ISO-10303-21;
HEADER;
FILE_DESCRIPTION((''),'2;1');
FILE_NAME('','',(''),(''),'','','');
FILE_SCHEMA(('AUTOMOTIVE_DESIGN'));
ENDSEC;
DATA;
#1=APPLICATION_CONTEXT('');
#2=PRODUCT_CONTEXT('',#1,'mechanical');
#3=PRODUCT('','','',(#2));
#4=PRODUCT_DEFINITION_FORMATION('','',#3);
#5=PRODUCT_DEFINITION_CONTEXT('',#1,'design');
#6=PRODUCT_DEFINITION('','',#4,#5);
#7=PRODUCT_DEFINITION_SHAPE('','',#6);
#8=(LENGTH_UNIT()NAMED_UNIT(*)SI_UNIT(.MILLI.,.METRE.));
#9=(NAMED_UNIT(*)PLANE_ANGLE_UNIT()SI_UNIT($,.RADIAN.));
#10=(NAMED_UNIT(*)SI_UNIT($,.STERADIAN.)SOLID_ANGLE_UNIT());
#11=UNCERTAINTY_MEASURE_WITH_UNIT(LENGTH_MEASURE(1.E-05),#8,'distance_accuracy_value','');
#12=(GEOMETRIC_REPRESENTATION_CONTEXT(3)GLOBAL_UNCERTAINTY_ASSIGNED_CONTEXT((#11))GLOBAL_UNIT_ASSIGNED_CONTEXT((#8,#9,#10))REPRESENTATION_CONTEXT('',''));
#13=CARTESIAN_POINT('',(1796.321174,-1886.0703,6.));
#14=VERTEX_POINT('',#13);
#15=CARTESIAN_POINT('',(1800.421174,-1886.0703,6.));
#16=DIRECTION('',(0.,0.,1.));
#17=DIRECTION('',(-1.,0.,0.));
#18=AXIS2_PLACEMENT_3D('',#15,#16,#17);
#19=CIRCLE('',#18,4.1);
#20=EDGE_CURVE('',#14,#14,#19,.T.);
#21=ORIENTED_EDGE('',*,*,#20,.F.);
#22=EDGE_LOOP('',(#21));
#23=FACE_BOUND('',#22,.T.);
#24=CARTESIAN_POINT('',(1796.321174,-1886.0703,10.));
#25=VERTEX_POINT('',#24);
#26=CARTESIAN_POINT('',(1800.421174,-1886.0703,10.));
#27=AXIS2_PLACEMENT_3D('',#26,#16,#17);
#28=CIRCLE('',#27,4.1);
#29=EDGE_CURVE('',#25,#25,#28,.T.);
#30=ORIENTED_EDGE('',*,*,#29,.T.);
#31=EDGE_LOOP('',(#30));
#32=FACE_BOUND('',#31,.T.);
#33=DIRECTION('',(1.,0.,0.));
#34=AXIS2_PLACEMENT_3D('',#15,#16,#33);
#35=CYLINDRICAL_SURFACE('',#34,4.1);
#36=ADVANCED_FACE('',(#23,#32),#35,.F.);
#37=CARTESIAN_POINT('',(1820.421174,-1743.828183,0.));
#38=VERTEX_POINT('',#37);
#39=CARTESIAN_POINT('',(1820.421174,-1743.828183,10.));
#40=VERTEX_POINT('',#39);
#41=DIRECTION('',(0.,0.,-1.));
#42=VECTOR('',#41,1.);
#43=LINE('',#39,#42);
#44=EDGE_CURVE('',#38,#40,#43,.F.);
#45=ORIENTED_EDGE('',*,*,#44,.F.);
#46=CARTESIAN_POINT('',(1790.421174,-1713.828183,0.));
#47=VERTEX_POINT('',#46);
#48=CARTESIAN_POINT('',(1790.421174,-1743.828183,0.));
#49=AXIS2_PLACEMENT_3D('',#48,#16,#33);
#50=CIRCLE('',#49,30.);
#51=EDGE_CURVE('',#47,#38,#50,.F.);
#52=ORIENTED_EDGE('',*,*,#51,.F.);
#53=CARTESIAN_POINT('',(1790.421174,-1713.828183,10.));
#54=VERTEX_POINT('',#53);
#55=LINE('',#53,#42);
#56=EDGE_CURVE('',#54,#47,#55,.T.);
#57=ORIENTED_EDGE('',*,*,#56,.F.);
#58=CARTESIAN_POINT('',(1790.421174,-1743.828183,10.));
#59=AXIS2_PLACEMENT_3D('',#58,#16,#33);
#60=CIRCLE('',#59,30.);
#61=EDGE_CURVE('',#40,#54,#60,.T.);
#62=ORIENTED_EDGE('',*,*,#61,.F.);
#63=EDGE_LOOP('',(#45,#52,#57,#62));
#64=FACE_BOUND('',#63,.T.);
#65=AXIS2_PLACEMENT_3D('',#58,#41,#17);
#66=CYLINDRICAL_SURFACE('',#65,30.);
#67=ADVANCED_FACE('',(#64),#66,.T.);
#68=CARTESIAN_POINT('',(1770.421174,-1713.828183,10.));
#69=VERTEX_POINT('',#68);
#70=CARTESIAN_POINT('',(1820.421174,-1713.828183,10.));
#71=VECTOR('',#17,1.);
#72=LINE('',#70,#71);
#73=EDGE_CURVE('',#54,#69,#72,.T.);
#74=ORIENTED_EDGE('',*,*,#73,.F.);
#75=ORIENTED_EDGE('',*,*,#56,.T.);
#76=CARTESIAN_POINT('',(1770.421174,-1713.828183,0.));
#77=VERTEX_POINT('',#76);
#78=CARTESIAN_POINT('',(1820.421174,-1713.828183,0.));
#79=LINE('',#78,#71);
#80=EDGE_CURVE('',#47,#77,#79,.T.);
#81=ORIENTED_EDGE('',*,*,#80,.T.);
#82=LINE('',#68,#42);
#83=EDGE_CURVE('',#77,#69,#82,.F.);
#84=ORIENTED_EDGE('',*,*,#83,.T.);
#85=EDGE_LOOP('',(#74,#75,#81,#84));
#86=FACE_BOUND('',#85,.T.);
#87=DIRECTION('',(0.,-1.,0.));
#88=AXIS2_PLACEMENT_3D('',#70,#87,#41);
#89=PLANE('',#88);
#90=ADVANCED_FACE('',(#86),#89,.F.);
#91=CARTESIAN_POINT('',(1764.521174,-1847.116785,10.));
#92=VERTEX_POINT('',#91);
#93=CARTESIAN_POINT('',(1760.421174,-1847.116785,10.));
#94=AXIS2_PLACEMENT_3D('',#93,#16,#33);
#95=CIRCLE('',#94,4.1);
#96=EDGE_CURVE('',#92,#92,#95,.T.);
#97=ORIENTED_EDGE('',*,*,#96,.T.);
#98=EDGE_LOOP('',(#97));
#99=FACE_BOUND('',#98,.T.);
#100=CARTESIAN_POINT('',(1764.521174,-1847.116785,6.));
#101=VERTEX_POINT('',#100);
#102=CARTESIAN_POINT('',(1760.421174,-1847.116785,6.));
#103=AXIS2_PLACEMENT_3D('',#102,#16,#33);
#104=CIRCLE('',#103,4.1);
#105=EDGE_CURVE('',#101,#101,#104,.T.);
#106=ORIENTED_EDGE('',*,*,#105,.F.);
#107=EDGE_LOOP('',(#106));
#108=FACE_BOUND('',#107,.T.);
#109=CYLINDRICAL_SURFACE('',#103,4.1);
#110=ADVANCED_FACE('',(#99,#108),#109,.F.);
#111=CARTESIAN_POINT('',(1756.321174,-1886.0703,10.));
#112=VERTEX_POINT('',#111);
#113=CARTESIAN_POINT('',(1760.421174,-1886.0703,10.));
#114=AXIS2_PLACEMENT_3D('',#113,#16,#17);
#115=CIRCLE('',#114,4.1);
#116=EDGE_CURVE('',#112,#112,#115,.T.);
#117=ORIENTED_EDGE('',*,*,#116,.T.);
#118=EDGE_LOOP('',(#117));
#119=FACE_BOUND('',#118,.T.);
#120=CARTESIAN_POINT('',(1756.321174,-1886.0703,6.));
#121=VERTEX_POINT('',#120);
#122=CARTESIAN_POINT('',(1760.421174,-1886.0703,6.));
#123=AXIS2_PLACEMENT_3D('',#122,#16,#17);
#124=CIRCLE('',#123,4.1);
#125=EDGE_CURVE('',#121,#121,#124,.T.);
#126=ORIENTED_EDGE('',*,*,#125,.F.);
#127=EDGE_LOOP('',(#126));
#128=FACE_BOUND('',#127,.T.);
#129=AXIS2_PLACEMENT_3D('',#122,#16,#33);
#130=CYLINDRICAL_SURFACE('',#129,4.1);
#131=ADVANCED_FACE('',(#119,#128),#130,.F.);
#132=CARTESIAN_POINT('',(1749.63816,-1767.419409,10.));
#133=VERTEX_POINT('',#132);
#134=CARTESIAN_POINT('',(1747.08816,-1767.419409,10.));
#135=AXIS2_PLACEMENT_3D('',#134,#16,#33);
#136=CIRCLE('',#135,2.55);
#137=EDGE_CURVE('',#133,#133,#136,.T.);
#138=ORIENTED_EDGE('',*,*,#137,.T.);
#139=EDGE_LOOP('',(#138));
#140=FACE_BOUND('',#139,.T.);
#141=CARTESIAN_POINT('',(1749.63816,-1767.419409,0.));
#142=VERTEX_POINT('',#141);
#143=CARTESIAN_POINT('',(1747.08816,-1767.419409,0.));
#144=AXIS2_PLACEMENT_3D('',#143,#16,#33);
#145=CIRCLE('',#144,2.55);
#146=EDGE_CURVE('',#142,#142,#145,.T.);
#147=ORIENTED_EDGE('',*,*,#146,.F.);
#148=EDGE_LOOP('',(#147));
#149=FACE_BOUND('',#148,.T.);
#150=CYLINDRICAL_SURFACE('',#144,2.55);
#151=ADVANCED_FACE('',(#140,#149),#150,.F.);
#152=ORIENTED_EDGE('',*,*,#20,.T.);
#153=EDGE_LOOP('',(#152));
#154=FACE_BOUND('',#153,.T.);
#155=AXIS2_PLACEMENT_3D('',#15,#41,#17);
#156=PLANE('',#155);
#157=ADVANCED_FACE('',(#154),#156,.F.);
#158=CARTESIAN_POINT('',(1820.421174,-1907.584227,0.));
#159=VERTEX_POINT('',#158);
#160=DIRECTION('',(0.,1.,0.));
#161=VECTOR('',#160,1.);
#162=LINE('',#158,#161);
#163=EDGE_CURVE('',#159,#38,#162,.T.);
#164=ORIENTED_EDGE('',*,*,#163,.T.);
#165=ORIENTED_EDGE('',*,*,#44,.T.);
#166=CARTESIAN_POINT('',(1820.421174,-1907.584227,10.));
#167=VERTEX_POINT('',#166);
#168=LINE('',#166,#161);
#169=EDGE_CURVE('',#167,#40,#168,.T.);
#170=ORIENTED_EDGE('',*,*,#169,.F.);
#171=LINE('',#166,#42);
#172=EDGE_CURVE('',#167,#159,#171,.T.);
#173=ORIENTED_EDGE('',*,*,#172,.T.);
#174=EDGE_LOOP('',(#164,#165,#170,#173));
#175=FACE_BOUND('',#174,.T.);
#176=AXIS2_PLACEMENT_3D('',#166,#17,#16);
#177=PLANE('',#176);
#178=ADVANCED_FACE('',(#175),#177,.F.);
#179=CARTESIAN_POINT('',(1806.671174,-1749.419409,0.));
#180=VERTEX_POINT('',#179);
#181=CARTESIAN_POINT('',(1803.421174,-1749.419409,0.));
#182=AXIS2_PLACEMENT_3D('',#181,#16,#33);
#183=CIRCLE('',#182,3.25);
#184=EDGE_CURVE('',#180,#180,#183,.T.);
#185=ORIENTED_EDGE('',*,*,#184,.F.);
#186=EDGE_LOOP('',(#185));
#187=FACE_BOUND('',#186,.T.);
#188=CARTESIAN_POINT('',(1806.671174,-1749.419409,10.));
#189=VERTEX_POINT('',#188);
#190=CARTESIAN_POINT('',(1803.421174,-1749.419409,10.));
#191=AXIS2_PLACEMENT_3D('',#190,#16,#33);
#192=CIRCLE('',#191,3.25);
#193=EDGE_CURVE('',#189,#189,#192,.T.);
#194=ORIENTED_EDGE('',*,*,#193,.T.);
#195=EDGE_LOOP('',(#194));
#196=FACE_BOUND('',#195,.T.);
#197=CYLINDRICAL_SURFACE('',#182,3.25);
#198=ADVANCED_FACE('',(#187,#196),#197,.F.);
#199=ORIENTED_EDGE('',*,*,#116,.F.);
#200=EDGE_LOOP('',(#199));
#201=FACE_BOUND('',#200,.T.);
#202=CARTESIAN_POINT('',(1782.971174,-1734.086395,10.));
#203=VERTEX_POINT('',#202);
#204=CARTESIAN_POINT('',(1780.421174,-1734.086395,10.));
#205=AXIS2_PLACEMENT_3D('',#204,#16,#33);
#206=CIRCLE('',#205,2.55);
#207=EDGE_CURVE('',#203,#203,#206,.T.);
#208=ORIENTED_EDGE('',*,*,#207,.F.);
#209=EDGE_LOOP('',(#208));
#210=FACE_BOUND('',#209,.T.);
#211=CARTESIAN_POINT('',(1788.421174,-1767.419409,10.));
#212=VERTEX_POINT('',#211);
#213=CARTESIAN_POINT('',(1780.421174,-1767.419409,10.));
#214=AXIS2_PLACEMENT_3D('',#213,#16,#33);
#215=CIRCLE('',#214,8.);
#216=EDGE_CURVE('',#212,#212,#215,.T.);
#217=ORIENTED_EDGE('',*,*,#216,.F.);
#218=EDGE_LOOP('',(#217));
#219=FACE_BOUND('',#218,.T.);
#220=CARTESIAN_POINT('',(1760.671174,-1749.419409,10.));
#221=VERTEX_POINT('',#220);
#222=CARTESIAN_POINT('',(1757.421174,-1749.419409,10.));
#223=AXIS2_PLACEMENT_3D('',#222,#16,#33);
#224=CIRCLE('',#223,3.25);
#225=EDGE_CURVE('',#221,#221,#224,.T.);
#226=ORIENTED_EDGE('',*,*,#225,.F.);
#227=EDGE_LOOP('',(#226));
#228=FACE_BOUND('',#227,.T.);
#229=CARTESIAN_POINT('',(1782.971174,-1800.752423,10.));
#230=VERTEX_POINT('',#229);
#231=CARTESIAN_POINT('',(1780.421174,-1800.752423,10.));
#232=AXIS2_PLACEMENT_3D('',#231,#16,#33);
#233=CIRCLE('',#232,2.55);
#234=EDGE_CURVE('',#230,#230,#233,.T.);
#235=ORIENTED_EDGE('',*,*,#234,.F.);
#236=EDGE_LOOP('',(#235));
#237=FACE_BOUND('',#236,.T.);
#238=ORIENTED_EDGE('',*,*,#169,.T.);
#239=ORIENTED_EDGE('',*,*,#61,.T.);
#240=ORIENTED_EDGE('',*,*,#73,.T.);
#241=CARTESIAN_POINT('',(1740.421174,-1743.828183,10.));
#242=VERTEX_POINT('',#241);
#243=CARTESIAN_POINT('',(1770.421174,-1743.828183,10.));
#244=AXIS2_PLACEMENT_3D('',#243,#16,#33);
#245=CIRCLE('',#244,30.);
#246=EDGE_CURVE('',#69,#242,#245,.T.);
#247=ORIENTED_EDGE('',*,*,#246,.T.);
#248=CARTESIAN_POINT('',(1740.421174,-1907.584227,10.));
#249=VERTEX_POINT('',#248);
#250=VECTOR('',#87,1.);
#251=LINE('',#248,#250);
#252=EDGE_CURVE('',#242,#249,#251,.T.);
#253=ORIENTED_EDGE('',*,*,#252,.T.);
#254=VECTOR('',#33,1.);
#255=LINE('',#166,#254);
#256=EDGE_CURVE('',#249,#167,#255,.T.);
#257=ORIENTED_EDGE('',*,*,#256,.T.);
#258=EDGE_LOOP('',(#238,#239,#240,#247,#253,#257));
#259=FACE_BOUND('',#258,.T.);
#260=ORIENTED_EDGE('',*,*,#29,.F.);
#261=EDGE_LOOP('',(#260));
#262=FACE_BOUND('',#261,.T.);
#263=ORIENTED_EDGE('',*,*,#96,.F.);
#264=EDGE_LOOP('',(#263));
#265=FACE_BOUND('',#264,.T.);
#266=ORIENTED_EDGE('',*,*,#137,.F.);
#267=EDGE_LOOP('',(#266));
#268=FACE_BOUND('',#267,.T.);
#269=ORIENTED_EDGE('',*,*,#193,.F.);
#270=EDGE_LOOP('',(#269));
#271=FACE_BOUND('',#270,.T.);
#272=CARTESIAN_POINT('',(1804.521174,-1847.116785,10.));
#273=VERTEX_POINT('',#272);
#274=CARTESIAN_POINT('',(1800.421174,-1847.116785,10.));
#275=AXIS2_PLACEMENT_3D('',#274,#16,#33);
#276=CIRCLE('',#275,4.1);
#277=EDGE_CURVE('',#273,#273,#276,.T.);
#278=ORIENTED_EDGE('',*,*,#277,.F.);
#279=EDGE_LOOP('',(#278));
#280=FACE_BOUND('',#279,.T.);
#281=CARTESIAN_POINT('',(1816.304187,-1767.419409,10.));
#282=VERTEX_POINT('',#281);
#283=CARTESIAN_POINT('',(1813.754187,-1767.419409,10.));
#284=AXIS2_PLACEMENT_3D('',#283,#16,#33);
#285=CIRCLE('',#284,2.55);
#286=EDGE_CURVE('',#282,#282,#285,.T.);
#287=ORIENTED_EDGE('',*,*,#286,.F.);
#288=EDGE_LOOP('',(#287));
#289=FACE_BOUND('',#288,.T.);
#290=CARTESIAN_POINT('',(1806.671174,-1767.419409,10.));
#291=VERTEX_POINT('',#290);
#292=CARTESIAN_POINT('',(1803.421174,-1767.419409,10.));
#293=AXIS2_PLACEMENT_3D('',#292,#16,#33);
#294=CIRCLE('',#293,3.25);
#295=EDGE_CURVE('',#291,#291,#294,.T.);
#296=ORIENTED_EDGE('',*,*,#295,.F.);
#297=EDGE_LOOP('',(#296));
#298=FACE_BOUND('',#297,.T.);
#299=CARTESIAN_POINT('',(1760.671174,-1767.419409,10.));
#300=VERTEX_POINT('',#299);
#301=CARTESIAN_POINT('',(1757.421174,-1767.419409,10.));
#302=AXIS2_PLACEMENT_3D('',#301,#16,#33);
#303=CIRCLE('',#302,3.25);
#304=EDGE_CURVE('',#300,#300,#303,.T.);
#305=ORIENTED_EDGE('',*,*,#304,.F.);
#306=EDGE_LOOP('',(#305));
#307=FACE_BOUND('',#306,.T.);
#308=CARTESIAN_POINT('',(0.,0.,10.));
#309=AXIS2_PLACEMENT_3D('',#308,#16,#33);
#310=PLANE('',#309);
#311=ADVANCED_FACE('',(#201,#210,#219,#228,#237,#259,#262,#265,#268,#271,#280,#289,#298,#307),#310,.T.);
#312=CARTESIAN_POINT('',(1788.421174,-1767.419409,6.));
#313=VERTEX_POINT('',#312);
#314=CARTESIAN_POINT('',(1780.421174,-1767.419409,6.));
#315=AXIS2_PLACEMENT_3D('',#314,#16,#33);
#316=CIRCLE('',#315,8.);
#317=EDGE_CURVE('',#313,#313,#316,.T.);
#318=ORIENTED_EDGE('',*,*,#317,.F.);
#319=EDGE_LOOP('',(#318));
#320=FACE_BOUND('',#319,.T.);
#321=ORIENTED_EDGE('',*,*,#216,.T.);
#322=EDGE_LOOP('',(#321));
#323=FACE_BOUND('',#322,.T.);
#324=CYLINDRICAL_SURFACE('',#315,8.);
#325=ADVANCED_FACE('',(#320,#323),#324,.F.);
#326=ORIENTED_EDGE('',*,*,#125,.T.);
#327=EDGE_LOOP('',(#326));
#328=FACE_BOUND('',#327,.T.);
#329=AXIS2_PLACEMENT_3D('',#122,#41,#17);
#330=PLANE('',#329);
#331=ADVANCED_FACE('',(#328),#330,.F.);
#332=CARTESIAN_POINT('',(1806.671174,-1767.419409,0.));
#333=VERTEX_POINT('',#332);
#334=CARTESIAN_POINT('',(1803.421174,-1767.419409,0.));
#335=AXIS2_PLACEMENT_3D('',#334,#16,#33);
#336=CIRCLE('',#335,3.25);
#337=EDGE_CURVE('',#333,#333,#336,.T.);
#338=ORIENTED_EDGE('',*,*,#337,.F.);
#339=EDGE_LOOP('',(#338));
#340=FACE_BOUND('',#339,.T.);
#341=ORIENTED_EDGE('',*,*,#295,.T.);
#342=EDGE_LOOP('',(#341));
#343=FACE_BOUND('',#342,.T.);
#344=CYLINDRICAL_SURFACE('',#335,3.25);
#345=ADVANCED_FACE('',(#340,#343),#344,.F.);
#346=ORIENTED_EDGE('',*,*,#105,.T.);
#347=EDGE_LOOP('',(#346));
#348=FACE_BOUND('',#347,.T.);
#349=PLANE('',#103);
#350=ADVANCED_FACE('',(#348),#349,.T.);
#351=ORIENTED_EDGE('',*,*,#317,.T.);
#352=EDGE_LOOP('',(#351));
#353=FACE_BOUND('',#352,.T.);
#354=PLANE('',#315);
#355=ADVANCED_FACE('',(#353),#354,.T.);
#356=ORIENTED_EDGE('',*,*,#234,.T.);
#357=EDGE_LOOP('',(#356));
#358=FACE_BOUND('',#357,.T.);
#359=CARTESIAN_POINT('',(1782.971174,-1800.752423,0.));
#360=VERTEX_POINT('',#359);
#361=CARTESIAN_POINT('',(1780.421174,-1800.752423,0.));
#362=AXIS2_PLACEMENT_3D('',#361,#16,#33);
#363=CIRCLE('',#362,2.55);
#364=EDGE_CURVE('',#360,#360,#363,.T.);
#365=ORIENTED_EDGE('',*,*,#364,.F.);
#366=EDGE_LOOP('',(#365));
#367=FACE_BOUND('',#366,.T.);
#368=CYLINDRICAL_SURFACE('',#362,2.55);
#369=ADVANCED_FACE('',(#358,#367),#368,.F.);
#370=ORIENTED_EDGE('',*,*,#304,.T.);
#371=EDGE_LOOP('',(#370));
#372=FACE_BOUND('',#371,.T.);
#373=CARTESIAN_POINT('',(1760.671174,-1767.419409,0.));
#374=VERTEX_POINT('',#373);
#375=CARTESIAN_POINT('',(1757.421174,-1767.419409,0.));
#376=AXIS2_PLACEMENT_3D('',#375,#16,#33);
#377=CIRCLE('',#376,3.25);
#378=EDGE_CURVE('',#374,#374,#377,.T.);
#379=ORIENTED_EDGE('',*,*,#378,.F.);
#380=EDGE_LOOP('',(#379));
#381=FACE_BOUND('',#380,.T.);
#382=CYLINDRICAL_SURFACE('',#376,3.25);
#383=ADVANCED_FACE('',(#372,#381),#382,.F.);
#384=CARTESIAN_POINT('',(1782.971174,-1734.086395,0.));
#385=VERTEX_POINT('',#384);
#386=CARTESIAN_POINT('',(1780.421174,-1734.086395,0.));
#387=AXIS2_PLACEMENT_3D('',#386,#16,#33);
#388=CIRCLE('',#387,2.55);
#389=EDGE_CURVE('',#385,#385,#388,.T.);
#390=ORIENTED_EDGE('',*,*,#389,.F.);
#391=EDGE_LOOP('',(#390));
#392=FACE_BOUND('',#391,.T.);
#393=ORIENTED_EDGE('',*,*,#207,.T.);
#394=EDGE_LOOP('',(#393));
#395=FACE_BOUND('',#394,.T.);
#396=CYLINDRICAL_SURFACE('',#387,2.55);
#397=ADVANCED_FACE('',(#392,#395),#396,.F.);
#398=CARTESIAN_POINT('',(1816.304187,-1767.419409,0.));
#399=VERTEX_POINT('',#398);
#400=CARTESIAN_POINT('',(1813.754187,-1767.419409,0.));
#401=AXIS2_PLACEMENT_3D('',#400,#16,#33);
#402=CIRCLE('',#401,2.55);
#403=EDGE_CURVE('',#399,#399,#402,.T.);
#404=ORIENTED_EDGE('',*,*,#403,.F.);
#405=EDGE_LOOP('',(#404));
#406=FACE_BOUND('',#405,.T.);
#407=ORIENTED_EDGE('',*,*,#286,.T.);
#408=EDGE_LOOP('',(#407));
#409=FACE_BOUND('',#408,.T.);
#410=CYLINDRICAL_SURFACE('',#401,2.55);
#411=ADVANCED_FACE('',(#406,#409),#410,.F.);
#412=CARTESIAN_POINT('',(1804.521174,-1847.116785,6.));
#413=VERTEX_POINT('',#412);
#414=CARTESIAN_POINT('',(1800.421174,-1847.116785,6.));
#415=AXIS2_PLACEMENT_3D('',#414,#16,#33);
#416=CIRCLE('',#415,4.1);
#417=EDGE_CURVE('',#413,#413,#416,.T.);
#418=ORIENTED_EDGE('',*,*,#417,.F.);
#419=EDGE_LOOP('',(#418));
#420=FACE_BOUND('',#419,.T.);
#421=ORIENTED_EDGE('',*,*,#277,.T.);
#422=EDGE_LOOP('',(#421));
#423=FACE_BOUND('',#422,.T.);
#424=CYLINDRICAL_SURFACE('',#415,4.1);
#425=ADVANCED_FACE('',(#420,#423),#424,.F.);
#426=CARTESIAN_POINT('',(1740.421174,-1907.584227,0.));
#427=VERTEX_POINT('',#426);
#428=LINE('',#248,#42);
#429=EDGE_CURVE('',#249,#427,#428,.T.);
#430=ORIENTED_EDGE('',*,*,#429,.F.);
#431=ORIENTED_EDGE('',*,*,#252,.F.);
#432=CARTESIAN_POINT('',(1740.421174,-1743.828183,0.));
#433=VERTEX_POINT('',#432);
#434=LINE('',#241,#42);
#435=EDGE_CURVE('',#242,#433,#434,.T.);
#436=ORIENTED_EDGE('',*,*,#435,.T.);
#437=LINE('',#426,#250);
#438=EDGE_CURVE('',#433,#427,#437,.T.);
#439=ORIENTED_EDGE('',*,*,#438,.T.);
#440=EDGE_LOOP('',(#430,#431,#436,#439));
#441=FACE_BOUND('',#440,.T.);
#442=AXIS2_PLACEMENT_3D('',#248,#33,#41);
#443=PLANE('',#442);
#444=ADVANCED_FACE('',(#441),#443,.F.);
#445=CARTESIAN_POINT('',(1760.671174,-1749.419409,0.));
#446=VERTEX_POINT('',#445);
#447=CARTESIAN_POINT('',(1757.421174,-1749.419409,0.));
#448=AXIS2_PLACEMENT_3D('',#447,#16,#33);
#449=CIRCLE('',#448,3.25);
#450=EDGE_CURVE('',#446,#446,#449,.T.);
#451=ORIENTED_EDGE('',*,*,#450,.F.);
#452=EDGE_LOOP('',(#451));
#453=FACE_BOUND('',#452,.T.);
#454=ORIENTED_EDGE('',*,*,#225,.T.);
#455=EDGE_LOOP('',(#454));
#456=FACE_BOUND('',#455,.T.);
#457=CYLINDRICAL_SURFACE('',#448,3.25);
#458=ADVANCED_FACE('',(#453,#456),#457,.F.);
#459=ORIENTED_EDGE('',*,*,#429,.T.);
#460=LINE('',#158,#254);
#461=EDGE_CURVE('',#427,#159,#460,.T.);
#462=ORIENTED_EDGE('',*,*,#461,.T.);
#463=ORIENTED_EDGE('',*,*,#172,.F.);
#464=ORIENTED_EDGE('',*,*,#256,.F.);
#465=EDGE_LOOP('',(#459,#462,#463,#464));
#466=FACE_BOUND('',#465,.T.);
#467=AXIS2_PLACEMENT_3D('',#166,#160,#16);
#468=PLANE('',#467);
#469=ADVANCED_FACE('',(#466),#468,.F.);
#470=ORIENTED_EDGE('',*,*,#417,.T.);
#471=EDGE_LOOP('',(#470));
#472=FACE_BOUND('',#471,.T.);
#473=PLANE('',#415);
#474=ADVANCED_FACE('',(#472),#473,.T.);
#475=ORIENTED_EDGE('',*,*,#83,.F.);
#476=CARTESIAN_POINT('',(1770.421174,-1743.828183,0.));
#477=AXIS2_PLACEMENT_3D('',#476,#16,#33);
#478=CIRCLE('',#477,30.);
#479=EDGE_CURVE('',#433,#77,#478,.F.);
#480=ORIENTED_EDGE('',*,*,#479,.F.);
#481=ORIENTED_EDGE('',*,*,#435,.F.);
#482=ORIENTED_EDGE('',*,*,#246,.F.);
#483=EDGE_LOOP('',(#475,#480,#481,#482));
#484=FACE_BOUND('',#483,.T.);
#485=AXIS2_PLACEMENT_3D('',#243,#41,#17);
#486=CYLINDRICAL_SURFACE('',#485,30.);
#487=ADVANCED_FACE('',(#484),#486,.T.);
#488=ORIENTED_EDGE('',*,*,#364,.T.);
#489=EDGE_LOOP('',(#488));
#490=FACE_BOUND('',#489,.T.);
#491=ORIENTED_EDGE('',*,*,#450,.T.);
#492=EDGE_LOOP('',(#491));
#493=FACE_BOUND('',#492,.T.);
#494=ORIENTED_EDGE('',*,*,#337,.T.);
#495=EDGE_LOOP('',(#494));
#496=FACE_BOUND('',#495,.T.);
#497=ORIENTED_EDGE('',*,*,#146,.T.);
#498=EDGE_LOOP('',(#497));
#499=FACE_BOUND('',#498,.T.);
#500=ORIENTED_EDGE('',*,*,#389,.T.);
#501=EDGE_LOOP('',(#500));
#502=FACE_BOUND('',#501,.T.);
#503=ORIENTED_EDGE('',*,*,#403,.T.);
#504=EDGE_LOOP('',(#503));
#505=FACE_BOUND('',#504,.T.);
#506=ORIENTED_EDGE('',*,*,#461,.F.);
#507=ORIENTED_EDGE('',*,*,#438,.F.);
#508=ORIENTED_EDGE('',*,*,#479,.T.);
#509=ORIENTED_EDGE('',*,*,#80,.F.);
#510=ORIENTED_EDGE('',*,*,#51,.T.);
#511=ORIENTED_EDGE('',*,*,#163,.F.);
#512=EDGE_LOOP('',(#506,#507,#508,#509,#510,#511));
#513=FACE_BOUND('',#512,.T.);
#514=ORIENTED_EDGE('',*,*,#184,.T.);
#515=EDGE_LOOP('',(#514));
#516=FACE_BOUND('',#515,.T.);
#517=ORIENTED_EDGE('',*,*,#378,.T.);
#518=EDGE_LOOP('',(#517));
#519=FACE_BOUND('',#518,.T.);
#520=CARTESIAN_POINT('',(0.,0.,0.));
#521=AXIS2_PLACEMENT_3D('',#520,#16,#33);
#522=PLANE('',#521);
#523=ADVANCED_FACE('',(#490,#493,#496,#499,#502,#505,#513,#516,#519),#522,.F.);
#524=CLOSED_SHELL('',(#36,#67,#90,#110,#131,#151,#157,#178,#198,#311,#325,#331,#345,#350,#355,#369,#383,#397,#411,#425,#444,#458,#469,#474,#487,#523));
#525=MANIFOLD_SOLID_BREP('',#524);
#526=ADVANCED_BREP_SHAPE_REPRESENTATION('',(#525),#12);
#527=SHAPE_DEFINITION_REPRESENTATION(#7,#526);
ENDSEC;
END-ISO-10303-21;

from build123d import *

# Parameters (mm, degrees)
SKETCH1_W                = 80
SKETCH1_H                = 193.756044748
BOSS_EXTRUDE1_DEPTH      = 10
SCHIZZO2_R               = 2.549999997
SCHIZZO2_R_2             = 2.55
TAGLIO_ESTRUSIONE4_DEPTH = 2637.837278588
SCHIZZO3_R               = 3.25
TAGLIO_ESTRUSIONE5_DEPTH = 2637.837278588
SCHIZZO6_R               = 4.1
TAGLIO_ESTRUSIONE6_DEPTH = 4
RACCORDO1_R              = 30
SCHIZZO7_R               = 8
TAGLIO_ESTRUSIONE7_DEPTH = 4


with BuildPart() as part:
    # Sketch1 → Boss-Extrude1 (new body)
    with BuildSketch(Plane.XY):
        with Locations((1780.42117355, -1810.70620503)):
            Rectangle(SKETCH1_W, SKETCH1_H)
    extrude(amount=BOSS_EXTRUDE1_DEPTH)

    # Schizzo2 → Taglio-Estrusione4 (cut, through all)
    with BuildSketch(Plane.XY.offset(10)):
        with Locations((1747.088159885, -1767.419409113)):
            Circle(SCHIZZO2_R)
        with Locations((1780.42117355, -1734.086395448)):
            Circle(SCHIZZO2_R_2)
        with Locations((1813.754187215, -1767.419409113)):
            Circle(SCHIZZO2_R_2)
        with Locations((1780.42117355, -1800.752422779)):
            Circle(SCHIZZO2_R_2)
    extrude(amount=-TAGLIO_ESTRUSIONE4_DEPTH, mode=Mode.SUBTRACT)

    # Schizzo3 → Taglio-Estrusione5 (cut, through all)
    with BuildSketch(Plane.XY.offset(10)):
        with Locations((1803.421173548, -1749.419409113)):
            Circle(SCHIZZO3_R)
        with Locations((1803.421173548, -1767.419409113)):
            Circle(SCHIZZO3_R)
        with Locations((1757.421173548, -1749.419409113)):
            Circle(SCHIZZO3_R)
        with Locations((1757.421173548, -1767.419409113)):
            Circle(SCHIZZO3_R)
    extrude(amount=-TAGLIO_ESTRUSIONE5_DEPTH, mode=Mode.SUBTRACT)

    # Schizzo6 → Taglio-Estrusione6 (cut)
    with BuildSketch(Plane.XY.offset(10)):
        with Locations((1760.42117355, -1847.116784923)):
            Circle(SCHIZZO6_R)
        with Locations((1800.42117355, -1847.116784923)):
            Circle(SCHIZZO6_R)
        with Locations(Location((1800.42117355, -1886.070299533, 0), (0, 0, 180))):
            Circle(SCHIZZO6_R)
        with Locations(Location((1760.42117355, -1886.070299533, 0), (0, 0, 180))):
            Circle(SCHIZZO6_R)
    extrude(amount=-TAGLIO_ESTRUSIONE6_DEPTH, mode=Mode.SUBTRACT)

    # Raccordo1
    raccordo1_edges = [part.edges().sort_by_distance(p)[0] for p in [
        (1740.42117355, -1713.828182656, 5),
        (1820.42117355, -1713.828182656, 5),
    ]]
    fillet(raccordo1_edges, radius=RACCORDO1_R)

    # Schizzo7 → Taglio-Estrusione7 (cut)
    with BuildSketch(Plane.XY.offset(10)):
        with Locations((1780.42117355, -1767.419409113)):
            Circle(SCHIZZO7_R)
    extrude(amount=-TAGLIO_ESTRUSIONE7_DEPTH, mode=Mode.SUBTRACT)


solid = part.part
